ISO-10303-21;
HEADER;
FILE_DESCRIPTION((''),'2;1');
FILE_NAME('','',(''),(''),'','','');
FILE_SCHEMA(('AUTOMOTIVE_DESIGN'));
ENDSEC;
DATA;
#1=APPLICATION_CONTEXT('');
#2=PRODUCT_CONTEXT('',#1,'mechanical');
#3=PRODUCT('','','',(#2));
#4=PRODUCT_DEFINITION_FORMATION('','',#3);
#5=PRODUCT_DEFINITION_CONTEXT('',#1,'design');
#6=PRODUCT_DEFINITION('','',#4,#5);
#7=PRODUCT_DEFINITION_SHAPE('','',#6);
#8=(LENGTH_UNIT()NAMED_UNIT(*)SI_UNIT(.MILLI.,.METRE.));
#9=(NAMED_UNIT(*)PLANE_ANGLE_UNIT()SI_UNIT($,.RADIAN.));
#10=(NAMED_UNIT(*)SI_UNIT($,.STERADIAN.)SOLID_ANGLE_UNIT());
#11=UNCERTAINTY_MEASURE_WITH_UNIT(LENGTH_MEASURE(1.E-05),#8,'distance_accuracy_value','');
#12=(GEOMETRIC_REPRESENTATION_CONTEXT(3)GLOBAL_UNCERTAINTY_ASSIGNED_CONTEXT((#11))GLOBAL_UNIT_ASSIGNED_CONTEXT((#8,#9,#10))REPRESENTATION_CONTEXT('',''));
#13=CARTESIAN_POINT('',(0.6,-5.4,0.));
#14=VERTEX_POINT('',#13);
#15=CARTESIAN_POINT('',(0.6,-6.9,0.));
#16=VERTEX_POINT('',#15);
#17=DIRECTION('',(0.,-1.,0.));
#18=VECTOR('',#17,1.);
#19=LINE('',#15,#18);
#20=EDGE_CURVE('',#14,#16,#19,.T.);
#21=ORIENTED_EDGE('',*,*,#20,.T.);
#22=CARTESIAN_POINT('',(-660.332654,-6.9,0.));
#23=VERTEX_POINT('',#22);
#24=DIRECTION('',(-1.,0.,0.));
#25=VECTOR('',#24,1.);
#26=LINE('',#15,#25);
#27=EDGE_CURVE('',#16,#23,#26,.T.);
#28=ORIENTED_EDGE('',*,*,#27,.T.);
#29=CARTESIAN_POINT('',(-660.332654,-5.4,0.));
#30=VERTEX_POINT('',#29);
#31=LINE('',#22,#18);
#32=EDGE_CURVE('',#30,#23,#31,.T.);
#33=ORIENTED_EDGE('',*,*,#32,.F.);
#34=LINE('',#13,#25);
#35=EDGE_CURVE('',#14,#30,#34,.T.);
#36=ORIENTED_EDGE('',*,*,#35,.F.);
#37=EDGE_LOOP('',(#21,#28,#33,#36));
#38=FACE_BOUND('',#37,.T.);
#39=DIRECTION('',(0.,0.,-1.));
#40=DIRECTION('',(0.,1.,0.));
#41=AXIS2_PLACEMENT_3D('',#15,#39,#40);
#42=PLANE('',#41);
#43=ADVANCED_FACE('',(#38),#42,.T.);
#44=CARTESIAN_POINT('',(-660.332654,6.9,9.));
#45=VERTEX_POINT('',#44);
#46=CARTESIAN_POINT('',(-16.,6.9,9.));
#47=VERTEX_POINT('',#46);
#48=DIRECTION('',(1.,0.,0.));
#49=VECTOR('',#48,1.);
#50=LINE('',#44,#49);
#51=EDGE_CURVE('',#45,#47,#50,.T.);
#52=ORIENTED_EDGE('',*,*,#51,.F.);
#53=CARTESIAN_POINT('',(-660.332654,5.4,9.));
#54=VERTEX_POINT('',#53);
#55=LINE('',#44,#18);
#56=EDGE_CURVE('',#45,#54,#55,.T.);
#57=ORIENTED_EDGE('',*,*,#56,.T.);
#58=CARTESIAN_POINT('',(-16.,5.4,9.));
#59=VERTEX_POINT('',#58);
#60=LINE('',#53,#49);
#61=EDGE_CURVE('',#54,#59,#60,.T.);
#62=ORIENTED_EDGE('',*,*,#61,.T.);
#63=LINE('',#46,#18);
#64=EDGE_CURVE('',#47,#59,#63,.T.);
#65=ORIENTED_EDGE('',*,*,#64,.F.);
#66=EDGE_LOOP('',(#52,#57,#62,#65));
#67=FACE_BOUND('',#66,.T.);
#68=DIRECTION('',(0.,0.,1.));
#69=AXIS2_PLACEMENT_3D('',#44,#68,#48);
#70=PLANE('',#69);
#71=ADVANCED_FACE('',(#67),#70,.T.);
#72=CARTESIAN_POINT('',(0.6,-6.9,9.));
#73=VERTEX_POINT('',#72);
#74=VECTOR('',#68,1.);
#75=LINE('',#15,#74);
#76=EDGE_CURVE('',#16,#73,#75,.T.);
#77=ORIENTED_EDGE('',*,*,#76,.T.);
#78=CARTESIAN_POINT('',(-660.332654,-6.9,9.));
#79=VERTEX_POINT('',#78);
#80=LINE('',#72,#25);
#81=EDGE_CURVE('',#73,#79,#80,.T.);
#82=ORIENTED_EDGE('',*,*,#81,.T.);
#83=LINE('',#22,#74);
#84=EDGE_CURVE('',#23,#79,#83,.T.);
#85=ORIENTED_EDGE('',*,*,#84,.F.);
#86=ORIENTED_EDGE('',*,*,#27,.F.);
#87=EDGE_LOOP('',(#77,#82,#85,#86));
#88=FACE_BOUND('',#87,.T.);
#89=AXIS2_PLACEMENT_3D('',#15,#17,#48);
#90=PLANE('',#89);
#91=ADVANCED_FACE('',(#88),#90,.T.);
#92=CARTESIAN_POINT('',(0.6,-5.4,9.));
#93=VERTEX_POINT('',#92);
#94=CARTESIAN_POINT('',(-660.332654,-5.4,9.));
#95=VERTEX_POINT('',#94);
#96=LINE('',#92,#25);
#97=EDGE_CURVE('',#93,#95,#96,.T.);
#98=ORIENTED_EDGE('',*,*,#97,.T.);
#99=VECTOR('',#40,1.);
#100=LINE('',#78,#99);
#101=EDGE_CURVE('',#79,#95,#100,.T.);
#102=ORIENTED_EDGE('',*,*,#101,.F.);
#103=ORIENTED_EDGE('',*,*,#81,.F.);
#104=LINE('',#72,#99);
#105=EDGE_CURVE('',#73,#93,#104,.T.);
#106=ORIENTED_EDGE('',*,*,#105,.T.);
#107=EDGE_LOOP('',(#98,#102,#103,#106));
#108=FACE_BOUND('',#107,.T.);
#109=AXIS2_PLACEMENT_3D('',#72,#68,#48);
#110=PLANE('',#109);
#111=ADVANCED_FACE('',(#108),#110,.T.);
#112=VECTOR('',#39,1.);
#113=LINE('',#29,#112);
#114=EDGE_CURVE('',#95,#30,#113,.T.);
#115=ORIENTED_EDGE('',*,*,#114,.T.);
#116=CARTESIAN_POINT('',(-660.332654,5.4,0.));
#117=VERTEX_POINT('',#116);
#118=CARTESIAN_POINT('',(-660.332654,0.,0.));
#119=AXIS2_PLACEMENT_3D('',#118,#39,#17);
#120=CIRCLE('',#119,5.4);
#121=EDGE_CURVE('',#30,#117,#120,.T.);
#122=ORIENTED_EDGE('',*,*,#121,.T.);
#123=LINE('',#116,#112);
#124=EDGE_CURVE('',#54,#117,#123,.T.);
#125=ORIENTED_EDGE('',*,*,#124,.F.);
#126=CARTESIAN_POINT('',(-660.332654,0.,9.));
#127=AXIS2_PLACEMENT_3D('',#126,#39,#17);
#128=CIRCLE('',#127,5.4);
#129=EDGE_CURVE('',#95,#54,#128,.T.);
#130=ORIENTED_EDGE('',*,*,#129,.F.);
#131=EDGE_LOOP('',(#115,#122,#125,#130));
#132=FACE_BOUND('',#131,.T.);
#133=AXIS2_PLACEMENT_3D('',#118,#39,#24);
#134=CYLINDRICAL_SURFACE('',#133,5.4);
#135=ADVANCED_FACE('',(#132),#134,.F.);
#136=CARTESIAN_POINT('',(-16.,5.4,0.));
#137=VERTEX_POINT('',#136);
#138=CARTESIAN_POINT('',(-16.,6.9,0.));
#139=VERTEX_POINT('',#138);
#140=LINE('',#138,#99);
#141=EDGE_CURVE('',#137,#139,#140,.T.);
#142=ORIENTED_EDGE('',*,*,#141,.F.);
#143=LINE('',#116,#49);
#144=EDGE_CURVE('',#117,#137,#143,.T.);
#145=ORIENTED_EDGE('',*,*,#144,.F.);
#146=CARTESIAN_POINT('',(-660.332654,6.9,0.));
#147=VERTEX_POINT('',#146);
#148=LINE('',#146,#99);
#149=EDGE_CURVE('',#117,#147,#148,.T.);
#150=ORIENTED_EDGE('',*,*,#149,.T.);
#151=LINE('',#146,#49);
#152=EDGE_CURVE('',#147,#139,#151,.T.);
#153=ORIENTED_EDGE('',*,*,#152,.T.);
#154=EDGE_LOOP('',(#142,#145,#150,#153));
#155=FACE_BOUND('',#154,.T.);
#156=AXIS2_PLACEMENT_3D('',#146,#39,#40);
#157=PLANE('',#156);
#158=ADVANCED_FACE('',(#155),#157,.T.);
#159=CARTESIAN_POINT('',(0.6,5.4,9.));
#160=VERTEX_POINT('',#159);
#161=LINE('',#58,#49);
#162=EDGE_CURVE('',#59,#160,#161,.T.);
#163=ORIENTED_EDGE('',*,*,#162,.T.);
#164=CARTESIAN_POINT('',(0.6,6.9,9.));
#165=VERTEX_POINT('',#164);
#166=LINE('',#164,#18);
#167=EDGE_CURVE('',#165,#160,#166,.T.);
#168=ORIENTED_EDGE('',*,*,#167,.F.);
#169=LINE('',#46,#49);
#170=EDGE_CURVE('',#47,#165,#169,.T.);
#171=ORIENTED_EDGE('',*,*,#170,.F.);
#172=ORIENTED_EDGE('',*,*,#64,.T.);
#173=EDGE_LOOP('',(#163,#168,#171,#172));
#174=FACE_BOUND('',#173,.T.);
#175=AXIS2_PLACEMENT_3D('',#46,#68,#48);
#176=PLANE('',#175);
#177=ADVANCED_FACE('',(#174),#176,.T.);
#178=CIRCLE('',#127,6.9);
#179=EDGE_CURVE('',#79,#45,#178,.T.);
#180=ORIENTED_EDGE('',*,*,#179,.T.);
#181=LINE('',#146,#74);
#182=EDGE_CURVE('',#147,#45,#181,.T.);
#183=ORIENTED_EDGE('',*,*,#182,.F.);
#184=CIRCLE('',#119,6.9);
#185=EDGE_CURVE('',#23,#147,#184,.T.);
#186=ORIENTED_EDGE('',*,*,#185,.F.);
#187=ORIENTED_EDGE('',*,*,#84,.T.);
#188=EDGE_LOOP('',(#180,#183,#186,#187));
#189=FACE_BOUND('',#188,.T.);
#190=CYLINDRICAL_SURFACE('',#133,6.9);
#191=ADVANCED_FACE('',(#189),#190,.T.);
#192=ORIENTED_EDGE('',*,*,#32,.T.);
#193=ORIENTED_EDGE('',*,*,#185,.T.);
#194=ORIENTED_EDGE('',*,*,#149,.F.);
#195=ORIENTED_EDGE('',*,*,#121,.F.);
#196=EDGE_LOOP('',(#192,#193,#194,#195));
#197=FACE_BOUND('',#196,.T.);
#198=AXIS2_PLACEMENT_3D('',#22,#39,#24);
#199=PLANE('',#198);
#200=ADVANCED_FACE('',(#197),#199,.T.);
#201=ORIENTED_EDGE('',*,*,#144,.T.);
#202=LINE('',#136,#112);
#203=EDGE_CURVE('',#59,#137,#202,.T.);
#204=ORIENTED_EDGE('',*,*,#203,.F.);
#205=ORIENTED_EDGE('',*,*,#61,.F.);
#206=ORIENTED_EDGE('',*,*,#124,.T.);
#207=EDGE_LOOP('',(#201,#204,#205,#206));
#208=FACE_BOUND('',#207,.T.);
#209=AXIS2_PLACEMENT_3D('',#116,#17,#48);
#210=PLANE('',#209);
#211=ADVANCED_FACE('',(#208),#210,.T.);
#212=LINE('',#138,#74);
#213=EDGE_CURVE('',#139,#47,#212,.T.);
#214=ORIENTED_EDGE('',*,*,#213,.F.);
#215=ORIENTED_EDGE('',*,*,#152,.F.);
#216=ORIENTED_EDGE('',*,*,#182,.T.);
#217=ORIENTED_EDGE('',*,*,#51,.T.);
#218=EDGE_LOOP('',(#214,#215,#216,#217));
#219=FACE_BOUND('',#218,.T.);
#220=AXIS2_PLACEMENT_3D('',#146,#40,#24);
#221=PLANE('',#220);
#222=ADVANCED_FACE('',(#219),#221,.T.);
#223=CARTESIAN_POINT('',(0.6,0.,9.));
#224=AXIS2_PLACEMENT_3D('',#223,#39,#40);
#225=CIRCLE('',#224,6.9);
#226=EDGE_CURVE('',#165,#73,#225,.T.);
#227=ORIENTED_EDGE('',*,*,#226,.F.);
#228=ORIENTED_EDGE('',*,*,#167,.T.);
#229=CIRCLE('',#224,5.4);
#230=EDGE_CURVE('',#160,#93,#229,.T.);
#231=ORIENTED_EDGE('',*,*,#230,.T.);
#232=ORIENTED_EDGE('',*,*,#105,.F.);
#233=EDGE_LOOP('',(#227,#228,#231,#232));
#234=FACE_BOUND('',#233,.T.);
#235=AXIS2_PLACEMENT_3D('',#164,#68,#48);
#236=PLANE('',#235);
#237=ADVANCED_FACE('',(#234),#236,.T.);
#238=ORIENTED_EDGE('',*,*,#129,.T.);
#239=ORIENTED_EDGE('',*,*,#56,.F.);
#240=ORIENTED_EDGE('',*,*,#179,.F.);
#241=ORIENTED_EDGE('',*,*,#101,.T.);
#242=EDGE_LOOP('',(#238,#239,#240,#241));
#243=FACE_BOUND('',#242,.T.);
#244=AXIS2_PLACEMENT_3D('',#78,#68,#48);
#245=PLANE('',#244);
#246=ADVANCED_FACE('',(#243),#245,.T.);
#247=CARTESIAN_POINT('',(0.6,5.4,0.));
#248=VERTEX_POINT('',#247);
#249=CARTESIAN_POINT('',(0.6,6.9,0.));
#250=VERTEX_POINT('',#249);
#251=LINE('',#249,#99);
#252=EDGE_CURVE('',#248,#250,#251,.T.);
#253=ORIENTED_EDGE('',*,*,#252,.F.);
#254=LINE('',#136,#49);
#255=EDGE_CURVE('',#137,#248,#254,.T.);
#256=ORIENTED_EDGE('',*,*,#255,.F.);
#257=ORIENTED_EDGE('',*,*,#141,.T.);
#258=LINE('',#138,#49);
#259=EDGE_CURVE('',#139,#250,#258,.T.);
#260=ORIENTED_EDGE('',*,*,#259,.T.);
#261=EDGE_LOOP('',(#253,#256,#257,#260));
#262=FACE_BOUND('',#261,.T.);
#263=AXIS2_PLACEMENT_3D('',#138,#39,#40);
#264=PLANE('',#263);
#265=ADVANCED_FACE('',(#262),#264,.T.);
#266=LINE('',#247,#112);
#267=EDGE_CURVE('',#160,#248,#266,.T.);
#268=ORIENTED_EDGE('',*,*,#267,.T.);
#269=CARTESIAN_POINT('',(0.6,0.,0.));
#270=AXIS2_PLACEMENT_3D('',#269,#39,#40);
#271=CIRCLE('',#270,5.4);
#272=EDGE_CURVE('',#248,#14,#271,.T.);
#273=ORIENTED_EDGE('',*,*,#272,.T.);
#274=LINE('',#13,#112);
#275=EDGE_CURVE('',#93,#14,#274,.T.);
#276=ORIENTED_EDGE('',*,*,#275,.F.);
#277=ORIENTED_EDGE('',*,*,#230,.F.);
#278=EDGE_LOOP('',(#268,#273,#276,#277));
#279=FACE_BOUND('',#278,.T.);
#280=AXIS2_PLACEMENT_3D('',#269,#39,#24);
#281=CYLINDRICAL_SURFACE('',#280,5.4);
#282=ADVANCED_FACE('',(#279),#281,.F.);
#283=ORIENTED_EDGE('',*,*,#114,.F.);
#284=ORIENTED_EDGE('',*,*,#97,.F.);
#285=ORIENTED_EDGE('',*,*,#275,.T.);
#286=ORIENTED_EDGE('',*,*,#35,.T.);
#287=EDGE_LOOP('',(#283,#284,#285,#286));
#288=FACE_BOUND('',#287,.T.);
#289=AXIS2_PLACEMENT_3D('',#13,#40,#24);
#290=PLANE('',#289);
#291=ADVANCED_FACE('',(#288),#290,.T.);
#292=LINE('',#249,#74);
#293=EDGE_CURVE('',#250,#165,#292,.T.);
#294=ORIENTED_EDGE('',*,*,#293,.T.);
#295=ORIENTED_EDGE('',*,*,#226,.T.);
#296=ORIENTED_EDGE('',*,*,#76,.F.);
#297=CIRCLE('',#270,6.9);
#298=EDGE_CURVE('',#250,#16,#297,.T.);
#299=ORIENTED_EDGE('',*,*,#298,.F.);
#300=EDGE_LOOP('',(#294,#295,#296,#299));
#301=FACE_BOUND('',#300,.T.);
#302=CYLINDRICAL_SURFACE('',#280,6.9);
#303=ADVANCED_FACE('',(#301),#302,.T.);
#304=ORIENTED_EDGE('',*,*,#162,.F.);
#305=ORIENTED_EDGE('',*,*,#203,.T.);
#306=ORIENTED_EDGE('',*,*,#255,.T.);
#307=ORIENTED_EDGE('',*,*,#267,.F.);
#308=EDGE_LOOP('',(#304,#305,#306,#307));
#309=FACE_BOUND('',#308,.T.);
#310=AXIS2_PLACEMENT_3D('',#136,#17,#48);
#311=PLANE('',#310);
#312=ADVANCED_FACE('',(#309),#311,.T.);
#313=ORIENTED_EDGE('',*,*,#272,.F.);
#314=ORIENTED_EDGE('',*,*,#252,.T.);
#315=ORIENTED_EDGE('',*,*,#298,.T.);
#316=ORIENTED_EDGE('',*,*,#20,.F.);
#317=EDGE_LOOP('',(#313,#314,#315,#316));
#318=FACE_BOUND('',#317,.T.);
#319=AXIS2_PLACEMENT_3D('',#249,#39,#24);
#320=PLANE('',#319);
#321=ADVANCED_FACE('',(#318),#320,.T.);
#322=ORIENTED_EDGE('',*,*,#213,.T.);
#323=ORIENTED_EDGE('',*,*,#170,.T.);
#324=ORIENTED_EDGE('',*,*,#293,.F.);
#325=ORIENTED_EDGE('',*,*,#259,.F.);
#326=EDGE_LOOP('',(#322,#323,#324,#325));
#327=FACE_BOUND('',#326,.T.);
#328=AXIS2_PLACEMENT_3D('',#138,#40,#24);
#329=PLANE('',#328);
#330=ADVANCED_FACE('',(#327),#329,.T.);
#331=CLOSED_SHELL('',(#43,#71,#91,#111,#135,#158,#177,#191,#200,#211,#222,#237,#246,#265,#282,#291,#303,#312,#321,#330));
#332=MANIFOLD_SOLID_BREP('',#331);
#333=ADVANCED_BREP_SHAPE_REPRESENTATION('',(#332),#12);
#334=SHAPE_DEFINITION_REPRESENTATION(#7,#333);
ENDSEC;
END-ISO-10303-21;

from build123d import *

# Parameters (mm, degrees)
SKETCH3_W = 9
SKETCH3_H = 1.5


with BuildPart() as part:
    # Sweep1: sweep along a path in Sketch2
    with BuildLine(Plane.XY) as sweep1_path:
        Line((0.6, -6.9), (-660.332653819, -6.9))
        ThreePointArc((-660.332653819, -6.9), (-667.232653819, 0), (-660.332653819, 6.9))
        Line((-660.332653819, 6.9), (0.6, 6.9))
        ThreePointArc((0.6, 6.9), (7.5, 0), (0.6, -6.9))
    # Sketch3 → Sweep1 (sweep)
    with BuildSketch(Plane(origin=(-16, 0, 0), x_dir=(0, 0, -1), z_dir=(1, 0, 0))):
        with Locations((-4.5, 6.15)):
            Rectangle(SKETCH3_W, SKETCH3_H)
    sweep(path=sweep1_path.line)


solid = part.part
